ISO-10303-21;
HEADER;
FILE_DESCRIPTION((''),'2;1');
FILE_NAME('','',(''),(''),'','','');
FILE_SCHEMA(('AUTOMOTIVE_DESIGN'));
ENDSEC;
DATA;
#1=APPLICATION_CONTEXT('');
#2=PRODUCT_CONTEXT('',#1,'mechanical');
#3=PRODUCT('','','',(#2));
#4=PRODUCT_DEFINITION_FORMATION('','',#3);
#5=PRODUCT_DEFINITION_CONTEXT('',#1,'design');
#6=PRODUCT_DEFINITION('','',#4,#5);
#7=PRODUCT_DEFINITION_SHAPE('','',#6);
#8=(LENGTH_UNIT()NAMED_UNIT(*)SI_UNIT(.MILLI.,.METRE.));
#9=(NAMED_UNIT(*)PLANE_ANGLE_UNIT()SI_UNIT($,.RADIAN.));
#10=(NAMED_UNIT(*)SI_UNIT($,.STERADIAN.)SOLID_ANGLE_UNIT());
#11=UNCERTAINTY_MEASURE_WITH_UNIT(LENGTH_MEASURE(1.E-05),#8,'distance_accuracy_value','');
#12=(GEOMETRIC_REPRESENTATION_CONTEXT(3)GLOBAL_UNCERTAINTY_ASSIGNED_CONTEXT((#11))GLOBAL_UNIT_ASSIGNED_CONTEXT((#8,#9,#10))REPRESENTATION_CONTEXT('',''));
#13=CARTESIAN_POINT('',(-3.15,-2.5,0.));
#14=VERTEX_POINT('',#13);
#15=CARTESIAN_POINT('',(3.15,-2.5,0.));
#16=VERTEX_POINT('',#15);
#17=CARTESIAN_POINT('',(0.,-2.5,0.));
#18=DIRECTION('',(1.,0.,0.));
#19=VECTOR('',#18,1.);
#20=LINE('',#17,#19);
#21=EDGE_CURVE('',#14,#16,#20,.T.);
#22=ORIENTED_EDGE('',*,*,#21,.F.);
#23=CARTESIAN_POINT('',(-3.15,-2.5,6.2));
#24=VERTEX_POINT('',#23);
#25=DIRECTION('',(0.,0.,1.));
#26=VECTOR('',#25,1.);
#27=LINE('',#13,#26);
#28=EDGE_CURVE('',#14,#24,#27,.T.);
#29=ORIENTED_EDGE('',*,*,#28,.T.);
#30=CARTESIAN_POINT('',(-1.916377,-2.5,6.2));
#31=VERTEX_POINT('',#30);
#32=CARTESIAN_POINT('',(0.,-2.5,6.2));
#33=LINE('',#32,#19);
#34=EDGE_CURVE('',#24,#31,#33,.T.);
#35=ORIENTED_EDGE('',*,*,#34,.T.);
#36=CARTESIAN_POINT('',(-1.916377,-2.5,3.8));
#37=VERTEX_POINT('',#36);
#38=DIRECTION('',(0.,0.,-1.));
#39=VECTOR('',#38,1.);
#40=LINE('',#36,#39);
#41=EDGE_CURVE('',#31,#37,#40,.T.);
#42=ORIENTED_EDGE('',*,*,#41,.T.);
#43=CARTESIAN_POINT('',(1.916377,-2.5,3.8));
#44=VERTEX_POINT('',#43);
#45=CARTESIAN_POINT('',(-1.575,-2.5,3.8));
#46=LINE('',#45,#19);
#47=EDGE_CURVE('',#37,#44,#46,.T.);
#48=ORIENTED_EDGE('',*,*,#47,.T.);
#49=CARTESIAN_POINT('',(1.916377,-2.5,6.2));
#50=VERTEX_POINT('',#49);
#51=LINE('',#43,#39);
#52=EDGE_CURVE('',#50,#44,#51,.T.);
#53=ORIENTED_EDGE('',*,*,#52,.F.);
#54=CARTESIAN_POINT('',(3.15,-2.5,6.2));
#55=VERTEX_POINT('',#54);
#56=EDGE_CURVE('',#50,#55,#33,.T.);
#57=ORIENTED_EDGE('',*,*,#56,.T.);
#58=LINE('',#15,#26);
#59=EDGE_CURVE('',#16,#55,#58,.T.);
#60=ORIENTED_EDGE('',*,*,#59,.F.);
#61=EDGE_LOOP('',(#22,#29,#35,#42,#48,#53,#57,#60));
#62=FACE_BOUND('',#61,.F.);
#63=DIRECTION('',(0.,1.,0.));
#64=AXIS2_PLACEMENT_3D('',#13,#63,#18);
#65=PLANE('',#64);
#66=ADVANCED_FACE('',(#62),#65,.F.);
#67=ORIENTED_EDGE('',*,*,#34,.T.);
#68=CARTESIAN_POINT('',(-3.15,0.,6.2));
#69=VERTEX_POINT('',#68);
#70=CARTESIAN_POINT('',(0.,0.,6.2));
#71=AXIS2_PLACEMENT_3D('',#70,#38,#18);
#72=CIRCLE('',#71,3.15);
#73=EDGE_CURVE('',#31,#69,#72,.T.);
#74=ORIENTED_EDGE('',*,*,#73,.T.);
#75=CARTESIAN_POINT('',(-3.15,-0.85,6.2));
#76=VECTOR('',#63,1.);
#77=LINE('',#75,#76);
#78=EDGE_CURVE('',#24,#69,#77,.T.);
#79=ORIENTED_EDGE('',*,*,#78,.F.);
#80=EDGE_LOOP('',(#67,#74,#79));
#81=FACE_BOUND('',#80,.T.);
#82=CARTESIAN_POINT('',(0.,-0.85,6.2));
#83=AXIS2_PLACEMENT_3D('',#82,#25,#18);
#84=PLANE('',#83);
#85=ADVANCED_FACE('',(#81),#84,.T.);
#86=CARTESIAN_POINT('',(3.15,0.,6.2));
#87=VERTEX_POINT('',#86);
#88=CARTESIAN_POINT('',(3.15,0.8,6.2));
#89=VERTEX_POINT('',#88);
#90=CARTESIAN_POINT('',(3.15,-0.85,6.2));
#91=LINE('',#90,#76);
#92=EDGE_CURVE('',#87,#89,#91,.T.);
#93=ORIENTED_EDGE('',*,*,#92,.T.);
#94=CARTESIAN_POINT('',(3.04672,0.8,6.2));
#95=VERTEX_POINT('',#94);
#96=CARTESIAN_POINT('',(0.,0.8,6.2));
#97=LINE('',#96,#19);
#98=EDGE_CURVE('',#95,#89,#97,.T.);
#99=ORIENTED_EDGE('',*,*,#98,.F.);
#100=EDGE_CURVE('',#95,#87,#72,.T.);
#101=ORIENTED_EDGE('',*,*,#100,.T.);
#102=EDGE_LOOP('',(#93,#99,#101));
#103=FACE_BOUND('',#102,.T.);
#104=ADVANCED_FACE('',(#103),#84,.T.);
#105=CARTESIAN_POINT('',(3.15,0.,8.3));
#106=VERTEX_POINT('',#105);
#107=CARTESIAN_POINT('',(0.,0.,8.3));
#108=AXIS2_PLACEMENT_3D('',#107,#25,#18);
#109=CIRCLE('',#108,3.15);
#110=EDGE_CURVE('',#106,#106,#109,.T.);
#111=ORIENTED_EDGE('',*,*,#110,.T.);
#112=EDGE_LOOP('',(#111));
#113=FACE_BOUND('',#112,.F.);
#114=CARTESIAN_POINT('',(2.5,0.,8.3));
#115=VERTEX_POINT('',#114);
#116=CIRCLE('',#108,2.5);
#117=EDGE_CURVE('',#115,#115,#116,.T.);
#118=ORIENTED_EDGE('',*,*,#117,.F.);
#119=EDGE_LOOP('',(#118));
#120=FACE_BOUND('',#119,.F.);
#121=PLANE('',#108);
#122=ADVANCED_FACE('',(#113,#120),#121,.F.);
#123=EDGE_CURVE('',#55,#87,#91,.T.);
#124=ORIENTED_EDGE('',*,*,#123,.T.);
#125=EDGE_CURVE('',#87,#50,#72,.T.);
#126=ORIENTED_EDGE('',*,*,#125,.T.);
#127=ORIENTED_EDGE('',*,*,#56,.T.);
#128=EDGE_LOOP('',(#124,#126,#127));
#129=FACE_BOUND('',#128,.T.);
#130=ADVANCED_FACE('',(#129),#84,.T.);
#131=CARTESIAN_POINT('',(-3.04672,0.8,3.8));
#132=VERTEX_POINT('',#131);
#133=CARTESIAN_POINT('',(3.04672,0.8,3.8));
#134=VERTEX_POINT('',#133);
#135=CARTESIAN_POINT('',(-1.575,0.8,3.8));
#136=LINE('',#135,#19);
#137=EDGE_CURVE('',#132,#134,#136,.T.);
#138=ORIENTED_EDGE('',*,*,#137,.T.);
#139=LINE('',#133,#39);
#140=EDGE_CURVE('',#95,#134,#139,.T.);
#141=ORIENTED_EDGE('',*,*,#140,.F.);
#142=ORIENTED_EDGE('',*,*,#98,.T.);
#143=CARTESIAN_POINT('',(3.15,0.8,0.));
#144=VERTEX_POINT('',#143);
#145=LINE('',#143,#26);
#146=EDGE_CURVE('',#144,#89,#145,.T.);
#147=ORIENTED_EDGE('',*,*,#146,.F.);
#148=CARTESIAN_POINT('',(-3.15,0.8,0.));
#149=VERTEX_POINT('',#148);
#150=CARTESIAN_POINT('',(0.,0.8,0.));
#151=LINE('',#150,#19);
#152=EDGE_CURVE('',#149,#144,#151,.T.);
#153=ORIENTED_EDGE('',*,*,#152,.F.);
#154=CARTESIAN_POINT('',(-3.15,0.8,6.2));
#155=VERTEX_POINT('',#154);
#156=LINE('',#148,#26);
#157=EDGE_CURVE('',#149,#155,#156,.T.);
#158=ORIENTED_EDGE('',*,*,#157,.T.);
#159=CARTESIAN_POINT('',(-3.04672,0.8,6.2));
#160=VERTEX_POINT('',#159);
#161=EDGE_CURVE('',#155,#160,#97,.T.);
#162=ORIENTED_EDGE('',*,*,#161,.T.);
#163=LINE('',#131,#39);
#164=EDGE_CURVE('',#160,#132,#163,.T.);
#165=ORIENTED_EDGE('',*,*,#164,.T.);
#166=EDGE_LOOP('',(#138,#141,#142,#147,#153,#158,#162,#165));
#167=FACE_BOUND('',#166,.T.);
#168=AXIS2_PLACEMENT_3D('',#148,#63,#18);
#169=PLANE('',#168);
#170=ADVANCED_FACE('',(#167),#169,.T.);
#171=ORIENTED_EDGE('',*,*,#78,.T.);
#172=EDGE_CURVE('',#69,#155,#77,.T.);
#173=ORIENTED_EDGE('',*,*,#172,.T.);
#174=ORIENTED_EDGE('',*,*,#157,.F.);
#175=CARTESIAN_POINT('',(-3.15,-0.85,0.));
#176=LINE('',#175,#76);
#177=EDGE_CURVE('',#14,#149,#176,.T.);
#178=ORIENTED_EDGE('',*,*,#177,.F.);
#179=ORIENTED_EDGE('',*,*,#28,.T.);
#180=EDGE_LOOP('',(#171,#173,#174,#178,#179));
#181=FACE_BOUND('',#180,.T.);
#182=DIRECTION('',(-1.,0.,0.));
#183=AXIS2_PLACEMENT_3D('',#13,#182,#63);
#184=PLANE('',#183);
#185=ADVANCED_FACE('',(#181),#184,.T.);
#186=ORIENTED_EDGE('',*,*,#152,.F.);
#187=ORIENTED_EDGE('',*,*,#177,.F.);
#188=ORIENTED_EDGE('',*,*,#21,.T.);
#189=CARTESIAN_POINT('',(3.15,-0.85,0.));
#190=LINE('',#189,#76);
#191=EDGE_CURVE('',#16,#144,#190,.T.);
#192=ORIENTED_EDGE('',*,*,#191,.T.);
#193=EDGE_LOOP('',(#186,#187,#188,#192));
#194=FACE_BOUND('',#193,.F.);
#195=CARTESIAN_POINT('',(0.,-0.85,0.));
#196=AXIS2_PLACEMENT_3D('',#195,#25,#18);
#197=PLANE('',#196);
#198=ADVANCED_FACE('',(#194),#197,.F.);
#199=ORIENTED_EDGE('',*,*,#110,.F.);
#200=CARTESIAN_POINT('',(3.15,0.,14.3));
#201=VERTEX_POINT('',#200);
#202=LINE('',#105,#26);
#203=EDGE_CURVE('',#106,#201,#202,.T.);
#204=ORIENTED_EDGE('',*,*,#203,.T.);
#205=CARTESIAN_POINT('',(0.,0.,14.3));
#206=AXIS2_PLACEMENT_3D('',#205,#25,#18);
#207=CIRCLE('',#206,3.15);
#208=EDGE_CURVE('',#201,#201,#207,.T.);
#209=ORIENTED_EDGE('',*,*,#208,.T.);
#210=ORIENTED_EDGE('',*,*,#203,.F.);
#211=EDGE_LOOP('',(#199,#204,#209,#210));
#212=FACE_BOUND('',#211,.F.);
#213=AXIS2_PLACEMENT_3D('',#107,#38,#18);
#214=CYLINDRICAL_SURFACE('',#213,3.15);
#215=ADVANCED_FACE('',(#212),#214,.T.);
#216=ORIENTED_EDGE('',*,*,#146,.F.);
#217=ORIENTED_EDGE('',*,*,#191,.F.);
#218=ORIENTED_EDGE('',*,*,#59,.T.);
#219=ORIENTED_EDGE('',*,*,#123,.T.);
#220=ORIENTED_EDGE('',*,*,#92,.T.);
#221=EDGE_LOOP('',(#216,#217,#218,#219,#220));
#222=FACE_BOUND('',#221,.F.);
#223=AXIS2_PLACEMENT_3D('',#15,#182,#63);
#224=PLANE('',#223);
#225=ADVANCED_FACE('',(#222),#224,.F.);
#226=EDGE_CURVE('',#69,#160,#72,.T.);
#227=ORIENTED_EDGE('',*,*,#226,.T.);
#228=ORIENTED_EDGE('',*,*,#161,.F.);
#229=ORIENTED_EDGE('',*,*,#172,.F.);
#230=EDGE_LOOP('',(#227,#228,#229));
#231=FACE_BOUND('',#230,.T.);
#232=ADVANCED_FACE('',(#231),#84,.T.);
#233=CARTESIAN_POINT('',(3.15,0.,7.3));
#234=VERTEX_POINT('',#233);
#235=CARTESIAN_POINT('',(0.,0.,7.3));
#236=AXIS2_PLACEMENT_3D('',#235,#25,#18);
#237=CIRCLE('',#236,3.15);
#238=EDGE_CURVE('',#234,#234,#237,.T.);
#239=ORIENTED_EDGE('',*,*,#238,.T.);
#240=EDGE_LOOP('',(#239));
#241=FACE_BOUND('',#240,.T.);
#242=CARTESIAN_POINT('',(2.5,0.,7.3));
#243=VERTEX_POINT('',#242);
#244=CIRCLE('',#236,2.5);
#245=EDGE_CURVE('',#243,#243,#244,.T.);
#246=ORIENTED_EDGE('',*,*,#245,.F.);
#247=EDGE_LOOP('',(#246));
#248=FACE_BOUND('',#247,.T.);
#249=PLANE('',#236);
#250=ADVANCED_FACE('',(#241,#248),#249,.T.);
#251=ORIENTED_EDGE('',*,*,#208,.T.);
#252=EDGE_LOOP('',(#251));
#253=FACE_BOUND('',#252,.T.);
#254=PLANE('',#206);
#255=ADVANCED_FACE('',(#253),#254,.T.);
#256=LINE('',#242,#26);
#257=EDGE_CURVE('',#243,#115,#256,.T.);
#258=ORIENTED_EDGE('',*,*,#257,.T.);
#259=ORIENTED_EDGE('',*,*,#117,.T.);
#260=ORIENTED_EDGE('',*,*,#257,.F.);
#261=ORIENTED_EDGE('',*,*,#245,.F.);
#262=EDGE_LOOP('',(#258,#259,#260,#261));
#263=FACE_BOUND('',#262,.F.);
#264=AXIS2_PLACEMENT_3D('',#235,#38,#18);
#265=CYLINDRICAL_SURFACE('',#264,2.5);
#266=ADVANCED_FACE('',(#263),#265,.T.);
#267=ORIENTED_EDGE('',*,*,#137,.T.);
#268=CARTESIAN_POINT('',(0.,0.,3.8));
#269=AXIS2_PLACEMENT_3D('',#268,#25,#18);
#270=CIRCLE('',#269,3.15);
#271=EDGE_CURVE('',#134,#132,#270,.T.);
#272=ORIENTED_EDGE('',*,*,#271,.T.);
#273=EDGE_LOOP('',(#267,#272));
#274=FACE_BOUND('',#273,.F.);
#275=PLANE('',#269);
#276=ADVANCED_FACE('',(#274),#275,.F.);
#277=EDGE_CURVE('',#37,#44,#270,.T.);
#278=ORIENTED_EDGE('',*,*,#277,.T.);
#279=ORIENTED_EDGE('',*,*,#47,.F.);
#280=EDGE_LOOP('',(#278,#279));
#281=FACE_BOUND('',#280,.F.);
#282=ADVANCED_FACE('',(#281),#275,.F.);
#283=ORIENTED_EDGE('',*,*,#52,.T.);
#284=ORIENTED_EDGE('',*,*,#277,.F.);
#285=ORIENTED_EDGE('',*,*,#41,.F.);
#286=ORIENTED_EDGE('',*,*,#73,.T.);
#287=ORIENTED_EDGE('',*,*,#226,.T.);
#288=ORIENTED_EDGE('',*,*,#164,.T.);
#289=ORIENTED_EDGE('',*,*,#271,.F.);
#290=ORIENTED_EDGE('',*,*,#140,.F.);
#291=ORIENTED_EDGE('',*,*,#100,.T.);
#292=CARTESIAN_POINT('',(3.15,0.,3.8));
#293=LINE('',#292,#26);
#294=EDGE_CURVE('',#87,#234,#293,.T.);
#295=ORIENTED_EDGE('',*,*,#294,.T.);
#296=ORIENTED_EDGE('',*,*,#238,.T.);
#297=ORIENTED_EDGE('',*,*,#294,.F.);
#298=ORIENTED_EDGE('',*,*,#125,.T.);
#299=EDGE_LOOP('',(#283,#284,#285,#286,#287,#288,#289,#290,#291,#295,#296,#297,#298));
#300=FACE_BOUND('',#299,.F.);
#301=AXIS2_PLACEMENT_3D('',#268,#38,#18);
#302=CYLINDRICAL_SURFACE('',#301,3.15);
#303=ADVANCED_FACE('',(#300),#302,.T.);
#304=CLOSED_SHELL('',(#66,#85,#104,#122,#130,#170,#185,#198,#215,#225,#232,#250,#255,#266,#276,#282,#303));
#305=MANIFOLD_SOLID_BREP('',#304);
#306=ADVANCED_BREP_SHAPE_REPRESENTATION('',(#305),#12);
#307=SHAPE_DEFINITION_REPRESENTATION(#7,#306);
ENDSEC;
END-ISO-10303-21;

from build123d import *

# Parameters (mm, degrees)
F0_W     = 6.3
F0_H     = 3.3
F1_DEPTH = 6.2
F3_R     = 3.15
F4_DEPTH = 3.5
F5_R     = 2.5
F6_DEPTH = 1
F7_R     = 3.15
F8_DEPTH = 6


with BuildPart() as f1:
    # F0 (on Top) → F1 (new body)
    with BuildSketch(Plane.XY):
        with Locations((0, -0.85)):
            Rectangle(F0_W, F0_H)
    extrude(amount=F1_DEPTH)

    # F3 (on offset) → F4 (join)
    with BuildSketch(Plane.XY.offset(3.8)):
        Circle(F3_R)
    extrude(amount=F4_DEPTH)

    # F5 (on face) → F6 (join)
    with BuildSketch(Plane.XY.offset(7.3)):
        Circle(F5_R)
    extrude(amount=F6_DEPTH)

    # F7 (on face) → F8 (join)
    with BuildSketch(Plane.XY.offset(8.3)):
        Circle(F7_R)
    extrude(amount=F8_DEPTH)


solid = f1.part
